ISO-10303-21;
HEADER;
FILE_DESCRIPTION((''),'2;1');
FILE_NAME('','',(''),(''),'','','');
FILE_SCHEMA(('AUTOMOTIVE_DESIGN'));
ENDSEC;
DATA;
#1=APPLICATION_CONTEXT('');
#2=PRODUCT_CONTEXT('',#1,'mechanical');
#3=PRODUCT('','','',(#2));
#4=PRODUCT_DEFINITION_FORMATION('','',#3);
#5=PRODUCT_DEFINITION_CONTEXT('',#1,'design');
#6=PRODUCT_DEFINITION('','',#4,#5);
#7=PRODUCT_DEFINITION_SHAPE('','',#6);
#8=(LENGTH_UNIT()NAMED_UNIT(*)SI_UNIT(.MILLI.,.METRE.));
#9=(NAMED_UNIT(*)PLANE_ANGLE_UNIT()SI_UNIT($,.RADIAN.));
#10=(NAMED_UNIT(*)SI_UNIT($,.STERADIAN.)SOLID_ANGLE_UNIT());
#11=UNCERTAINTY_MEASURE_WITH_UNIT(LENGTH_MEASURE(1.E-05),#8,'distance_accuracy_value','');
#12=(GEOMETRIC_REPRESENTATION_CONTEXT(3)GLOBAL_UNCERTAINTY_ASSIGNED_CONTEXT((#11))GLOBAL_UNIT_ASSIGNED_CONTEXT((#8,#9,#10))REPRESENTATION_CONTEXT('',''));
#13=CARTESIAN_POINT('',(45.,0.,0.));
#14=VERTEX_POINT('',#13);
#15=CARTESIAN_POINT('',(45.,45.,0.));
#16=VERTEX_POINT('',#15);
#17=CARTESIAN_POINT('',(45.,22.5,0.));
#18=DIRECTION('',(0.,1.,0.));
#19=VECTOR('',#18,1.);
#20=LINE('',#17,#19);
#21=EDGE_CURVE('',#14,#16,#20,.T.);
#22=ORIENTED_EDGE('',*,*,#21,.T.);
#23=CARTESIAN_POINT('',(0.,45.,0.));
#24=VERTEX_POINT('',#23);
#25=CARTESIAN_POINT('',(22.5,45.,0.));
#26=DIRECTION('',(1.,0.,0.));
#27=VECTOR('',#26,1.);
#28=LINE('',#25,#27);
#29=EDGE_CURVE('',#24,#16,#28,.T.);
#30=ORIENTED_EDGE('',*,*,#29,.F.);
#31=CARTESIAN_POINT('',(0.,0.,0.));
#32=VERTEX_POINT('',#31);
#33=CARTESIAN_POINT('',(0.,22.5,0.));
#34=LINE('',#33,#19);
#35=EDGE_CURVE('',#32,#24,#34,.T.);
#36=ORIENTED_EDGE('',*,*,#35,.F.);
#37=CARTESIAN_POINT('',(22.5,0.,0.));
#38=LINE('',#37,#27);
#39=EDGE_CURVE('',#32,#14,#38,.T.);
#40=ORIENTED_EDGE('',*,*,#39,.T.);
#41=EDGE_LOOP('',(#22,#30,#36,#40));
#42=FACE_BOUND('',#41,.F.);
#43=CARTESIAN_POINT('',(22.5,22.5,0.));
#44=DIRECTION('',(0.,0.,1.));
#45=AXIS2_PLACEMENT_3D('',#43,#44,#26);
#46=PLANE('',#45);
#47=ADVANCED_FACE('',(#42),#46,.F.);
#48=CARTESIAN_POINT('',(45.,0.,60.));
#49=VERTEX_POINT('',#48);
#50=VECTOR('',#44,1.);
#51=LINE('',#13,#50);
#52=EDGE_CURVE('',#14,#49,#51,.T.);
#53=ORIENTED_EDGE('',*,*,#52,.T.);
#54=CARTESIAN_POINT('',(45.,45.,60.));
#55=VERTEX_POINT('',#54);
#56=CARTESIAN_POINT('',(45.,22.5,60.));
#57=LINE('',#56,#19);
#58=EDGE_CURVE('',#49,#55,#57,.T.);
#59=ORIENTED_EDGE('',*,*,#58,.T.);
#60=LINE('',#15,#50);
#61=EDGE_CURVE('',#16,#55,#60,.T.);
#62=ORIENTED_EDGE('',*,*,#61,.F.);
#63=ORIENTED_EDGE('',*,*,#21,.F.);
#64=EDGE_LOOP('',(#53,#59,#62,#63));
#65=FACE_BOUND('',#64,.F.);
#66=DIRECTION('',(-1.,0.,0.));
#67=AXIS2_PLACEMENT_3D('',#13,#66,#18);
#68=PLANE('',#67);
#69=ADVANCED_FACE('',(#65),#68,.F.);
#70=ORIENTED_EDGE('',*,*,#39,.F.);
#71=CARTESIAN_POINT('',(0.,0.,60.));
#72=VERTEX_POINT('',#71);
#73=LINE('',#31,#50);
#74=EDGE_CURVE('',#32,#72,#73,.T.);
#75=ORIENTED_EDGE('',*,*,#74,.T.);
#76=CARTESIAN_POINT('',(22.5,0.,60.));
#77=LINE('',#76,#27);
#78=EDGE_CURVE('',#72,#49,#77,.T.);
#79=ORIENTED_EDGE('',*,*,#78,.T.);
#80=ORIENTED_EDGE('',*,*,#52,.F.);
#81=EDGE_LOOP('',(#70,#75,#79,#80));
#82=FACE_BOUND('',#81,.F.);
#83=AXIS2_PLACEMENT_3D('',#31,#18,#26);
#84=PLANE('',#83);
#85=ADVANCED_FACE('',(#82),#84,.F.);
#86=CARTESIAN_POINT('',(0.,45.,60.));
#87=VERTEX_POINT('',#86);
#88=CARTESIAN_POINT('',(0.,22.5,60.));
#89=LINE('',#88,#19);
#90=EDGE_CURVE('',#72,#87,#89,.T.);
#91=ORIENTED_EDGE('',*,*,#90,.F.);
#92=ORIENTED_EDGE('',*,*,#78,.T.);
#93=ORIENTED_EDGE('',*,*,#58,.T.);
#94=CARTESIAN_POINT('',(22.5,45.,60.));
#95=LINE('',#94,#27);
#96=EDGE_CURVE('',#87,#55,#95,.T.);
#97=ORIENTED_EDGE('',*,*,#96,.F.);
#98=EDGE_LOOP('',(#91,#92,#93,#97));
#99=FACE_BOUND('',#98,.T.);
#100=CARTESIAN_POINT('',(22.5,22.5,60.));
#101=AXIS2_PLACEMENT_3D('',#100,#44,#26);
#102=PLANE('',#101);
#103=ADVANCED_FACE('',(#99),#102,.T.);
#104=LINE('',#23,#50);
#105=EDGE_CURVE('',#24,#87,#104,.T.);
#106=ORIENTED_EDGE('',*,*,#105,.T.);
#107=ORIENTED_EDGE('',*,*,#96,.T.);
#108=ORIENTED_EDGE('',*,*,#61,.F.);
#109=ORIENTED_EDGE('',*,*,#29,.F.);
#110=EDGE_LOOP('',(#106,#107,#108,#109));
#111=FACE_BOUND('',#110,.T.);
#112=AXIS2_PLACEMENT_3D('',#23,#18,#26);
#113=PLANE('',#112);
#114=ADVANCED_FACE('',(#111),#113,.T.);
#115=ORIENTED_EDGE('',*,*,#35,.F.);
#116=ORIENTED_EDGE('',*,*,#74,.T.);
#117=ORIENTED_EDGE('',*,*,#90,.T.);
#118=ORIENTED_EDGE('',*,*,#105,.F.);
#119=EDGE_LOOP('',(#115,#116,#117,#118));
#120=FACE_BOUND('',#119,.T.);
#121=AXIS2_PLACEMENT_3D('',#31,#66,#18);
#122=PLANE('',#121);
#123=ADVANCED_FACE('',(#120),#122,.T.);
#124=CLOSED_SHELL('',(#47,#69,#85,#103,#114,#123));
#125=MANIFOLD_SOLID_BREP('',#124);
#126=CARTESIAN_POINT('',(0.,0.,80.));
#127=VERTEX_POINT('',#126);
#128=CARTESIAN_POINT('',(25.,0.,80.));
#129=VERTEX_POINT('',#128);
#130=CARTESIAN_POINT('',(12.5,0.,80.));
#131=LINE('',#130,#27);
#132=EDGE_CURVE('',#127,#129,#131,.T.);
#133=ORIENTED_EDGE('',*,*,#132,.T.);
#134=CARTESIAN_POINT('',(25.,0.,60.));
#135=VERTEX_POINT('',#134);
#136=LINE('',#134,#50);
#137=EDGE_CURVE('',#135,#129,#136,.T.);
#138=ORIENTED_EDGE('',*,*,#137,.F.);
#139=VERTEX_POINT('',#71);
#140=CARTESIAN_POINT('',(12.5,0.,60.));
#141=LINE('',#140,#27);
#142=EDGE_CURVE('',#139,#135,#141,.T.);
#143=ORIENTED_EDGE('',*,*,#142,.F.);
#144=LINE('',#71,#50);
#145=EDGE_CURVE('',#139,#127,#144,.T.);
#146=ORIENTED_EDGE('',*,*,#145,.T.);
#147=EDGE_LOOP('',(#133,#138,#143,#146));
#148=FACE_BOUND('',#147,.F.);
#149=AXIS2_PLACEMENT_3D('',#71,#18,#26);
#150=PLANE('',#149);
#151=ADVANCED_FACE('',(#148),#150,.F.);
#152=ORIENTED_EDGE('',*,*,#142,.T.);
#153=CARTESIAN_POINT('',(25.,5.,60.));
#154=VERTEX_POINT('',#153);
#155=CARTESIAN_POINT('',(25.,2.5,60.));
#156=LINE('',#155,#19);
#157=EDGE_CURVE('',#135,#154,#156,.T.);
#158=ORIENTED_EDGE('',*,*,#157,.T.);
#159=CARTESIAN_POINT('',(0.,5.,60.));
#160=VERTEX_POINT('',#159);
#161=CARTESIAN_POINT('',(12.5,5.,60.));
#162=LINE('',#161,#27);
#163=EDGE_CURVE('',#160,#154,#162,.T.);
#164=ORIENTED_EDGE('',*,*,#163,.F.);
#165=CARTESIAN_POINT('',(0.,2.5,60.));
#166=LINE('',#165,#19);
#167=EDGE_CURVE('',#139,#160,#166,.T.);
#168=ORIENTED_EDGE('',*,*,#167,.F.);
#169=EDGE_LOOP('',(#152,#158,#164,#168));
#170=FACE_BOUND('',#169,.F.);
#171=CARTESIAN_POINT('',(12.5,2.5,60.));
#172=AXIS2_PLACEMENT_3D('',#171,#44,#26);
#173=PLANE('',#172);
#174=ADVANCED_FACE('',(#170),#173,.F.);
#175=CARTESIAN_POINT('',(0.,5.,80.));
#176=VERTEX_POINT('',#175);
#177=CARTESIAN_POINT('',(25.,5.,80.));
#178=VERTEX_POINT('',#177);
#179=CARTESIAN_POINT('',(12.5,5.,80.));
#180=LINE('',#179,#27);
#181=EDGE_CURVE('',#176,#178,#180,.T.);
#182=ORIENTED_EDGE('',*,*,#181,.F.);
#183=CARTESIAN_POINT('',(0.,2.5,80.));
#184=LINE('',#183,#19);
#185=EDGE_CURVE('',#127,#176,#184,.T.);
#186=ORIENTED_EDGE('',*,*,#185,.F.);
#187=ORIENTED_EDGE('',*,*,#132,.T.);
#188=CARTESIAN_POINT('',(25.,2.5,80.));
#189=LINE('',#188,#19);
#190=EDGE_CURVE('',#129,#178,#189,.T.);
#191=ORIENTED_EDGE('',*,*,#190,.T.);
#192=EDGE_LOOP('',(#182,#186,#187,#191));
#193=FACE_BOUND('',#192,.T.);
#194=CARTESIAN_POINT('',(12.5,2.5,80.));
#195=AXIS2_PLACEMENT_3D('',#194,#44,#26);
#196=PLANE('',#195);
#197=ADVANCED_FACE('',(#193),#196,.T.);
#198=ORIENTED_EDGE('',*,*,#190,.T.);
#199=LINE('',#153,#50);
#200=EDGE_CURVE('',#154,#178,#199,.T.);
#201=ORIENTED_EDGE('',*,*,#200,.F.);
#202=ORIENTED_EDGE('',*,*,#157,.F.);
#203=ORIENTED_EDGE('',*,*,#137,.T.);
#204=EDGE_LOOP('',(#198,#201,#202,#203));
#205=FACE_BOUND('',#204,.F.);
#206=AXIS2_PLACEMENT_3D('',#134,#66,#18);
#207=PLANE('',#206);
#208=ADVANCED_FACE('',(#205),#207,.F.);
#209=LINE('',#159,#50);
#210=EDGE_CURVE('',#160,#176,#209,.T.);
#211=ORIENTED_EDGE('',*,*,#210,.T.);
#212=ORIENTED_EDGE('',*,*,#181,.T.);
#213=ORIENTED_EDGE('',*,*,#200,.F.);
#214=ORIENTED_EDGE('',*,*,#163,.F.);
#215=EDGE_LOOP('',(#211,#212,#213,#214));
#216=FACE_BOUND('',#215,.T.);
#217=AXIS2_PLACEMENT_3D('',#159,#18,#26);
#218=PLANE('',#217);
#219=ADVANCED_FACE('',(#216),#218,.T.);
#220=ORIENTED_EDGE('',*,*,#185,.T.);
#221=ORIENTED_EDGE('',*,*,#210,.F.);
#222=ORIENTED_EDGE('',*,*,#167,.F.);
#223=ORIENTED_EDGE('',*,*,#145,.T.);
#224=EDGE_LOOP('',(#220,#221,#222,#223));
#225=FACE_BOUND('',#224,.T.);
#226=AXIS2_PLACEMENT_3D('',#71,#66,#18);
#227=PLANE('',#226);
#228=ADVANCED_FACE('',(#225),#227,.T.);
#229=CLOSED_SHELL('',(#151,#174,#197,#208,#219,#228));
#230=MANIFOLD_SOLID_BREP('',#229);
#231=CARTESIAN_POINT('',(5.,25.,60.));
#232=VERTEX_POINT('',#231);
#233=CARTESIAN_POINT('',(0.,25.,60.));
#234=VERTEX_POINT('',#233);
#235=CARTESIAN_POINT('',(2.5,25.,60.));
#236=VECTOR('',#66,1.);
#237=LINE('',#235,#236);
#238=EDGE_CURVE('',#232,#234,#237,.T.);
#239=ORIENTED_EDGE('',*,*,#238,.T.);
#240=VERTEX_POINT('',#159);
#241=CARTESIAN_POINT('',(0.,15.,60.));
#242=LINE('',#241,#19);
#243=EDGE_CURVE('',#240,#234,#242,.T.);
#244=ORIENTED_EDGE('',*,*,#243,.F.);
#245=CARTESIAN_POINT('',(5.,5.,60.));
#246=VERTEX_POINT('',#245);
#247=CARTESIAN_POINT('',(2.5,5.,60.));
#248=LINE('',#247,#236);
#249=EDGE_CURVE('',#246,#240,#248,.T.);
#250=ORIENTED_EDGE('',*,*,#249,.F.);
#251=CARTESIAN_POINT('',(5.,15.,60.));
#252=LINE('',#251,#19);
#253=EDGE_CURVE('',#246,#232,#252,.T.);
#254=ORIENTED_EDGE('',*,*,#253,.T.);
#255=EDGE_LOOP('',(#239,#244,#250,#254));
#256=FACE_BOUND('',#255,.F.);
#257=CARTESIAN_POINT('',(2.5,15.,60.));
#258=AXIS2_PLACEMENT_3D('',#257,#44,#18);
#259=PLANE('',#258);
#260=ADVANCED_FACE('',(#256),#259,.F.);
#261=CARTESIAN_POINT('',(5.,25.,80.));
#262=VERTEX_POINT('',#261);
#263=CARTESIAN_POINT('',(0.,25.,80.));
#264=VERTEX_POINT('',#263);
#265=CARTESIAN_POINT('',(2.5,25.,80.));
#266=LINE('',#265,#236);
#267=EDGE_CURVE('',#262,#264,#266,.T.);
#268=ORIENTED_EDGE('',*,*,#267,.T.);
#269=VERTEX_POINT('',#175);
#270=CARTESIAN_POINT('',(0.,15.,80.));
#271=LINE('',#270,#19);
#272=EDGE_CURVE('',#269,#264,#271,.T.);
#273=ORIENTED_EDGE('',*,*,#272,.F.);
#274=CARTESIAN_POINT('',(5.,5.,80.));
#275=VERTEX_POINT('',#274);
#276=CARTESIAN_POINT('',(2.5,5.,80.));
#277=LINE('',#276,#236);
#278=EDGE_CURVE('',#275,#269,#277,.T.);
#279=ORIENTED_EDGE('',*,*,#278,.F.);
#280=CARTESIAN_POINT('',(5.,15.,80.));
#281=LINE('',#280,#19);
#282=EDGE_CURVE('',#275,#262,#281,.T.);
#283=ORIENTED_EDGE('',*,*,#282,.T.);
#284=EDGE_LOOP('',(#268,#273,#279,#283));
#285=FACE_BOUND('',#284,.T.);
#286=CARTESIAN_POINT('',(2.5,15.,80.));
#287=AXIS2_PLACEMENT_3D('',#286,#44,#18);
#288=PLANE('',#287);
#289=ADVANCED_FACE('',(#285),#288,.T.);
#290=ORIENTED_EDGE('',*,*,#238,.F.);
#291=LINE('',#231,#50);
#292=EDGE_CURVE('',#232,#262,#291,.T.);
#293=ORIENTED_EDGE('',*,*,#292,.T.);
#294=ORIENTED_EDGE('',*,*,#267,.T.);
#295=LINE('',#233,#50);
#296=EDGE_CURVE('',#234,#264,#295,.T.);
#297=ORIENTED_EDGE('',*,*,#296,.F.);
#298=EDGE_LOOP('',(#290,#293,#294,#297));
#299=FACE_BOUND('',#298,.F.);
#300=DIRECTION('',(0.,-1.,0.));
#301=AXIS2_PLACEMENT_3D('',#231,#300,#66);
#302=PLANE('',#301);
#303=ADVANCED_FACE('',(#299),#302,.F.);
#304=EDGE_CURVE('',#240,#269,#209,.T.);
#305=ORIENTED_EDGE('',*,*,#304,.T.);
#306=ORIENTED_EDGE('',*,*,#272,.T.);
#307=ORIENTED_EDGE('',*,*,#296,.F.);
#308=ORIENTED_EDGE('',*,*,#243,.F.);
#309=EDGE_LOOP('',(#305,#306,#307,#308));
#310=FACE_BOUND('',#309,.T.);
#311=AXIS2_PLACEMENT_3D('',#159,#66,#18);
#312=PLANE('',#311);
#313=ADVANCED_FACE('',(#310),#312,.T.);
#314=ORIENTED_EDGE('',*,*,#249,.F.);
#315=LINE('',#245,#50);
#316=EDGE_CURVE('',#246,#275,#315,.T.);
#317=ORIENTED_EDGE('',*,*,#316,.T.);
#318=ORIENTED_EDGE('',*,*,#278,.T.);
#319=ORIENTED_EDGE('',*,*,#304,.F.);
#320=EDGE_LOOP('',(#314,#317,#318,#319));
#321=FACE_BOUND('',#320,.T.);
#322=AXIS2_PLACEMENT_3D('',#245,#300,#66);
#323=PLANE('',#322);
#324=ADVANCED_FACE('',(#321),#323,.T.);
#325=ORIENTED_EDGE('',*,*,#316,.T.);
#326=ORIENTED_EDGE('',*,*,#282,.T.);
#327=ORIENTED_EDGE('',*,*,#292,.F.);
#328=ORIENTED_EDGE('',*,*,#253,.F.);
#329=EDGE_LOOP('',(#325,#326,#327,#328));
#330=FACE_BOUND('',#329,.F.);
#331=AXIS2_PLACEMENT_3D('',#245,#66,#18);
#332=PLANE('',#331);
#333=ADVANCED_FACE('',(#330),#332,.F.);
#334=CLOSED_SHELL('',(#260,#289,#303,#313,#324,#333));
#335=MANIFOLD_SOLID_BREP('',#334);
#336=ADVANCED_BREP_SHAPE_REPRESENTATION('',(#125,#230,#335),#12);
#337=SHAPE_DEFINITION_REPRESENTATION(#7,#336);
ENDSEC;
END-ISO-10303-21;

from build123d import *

# Parameters (mm, degrees)
BOX_W        = 45
BOX_H        = 45
BOX_DEPTH    = 60
BOX001_W     = 25
BOX001_H     = 5
BOX001_DEPTH = 20
BOX002_W     = 20
BOX002_H     = 5
BOX002_DEPTH = 20


with BuildPart() as base:
    # Box → Box (new body)
    with BuildSketch(Plane.XY):
        with Locations((22.5, 22.5)):
            Rectangle(BOX_W, BOX_H)
    extrude(amount=BOX_DEPTH)


with BuildPart() as side1:
    # Box001 → Box001 (new body)
    with BuildSketch(Plane.XY.offset(60)):
        with Locations((12.5, 2.5)):
            Rectangle(BOX001_W, BOX001_H)
    extrude(amount=BOX001_DEPTH)


with BuildPart() as side2:
    # Box002 → Box002 (new body)
    with BuildSketch(Plane(origin=(5, 5, 60), x_dir=(0, 1, 0), z_dir=(0, 0, 1))):
        with Locations((10, 2.5)):
            Rectangle(BOX002_W, BOX002_H)
    extrude(amount=BOX002_DEPTH)


solid = Compound([base.part, side1.part, side2.part])
